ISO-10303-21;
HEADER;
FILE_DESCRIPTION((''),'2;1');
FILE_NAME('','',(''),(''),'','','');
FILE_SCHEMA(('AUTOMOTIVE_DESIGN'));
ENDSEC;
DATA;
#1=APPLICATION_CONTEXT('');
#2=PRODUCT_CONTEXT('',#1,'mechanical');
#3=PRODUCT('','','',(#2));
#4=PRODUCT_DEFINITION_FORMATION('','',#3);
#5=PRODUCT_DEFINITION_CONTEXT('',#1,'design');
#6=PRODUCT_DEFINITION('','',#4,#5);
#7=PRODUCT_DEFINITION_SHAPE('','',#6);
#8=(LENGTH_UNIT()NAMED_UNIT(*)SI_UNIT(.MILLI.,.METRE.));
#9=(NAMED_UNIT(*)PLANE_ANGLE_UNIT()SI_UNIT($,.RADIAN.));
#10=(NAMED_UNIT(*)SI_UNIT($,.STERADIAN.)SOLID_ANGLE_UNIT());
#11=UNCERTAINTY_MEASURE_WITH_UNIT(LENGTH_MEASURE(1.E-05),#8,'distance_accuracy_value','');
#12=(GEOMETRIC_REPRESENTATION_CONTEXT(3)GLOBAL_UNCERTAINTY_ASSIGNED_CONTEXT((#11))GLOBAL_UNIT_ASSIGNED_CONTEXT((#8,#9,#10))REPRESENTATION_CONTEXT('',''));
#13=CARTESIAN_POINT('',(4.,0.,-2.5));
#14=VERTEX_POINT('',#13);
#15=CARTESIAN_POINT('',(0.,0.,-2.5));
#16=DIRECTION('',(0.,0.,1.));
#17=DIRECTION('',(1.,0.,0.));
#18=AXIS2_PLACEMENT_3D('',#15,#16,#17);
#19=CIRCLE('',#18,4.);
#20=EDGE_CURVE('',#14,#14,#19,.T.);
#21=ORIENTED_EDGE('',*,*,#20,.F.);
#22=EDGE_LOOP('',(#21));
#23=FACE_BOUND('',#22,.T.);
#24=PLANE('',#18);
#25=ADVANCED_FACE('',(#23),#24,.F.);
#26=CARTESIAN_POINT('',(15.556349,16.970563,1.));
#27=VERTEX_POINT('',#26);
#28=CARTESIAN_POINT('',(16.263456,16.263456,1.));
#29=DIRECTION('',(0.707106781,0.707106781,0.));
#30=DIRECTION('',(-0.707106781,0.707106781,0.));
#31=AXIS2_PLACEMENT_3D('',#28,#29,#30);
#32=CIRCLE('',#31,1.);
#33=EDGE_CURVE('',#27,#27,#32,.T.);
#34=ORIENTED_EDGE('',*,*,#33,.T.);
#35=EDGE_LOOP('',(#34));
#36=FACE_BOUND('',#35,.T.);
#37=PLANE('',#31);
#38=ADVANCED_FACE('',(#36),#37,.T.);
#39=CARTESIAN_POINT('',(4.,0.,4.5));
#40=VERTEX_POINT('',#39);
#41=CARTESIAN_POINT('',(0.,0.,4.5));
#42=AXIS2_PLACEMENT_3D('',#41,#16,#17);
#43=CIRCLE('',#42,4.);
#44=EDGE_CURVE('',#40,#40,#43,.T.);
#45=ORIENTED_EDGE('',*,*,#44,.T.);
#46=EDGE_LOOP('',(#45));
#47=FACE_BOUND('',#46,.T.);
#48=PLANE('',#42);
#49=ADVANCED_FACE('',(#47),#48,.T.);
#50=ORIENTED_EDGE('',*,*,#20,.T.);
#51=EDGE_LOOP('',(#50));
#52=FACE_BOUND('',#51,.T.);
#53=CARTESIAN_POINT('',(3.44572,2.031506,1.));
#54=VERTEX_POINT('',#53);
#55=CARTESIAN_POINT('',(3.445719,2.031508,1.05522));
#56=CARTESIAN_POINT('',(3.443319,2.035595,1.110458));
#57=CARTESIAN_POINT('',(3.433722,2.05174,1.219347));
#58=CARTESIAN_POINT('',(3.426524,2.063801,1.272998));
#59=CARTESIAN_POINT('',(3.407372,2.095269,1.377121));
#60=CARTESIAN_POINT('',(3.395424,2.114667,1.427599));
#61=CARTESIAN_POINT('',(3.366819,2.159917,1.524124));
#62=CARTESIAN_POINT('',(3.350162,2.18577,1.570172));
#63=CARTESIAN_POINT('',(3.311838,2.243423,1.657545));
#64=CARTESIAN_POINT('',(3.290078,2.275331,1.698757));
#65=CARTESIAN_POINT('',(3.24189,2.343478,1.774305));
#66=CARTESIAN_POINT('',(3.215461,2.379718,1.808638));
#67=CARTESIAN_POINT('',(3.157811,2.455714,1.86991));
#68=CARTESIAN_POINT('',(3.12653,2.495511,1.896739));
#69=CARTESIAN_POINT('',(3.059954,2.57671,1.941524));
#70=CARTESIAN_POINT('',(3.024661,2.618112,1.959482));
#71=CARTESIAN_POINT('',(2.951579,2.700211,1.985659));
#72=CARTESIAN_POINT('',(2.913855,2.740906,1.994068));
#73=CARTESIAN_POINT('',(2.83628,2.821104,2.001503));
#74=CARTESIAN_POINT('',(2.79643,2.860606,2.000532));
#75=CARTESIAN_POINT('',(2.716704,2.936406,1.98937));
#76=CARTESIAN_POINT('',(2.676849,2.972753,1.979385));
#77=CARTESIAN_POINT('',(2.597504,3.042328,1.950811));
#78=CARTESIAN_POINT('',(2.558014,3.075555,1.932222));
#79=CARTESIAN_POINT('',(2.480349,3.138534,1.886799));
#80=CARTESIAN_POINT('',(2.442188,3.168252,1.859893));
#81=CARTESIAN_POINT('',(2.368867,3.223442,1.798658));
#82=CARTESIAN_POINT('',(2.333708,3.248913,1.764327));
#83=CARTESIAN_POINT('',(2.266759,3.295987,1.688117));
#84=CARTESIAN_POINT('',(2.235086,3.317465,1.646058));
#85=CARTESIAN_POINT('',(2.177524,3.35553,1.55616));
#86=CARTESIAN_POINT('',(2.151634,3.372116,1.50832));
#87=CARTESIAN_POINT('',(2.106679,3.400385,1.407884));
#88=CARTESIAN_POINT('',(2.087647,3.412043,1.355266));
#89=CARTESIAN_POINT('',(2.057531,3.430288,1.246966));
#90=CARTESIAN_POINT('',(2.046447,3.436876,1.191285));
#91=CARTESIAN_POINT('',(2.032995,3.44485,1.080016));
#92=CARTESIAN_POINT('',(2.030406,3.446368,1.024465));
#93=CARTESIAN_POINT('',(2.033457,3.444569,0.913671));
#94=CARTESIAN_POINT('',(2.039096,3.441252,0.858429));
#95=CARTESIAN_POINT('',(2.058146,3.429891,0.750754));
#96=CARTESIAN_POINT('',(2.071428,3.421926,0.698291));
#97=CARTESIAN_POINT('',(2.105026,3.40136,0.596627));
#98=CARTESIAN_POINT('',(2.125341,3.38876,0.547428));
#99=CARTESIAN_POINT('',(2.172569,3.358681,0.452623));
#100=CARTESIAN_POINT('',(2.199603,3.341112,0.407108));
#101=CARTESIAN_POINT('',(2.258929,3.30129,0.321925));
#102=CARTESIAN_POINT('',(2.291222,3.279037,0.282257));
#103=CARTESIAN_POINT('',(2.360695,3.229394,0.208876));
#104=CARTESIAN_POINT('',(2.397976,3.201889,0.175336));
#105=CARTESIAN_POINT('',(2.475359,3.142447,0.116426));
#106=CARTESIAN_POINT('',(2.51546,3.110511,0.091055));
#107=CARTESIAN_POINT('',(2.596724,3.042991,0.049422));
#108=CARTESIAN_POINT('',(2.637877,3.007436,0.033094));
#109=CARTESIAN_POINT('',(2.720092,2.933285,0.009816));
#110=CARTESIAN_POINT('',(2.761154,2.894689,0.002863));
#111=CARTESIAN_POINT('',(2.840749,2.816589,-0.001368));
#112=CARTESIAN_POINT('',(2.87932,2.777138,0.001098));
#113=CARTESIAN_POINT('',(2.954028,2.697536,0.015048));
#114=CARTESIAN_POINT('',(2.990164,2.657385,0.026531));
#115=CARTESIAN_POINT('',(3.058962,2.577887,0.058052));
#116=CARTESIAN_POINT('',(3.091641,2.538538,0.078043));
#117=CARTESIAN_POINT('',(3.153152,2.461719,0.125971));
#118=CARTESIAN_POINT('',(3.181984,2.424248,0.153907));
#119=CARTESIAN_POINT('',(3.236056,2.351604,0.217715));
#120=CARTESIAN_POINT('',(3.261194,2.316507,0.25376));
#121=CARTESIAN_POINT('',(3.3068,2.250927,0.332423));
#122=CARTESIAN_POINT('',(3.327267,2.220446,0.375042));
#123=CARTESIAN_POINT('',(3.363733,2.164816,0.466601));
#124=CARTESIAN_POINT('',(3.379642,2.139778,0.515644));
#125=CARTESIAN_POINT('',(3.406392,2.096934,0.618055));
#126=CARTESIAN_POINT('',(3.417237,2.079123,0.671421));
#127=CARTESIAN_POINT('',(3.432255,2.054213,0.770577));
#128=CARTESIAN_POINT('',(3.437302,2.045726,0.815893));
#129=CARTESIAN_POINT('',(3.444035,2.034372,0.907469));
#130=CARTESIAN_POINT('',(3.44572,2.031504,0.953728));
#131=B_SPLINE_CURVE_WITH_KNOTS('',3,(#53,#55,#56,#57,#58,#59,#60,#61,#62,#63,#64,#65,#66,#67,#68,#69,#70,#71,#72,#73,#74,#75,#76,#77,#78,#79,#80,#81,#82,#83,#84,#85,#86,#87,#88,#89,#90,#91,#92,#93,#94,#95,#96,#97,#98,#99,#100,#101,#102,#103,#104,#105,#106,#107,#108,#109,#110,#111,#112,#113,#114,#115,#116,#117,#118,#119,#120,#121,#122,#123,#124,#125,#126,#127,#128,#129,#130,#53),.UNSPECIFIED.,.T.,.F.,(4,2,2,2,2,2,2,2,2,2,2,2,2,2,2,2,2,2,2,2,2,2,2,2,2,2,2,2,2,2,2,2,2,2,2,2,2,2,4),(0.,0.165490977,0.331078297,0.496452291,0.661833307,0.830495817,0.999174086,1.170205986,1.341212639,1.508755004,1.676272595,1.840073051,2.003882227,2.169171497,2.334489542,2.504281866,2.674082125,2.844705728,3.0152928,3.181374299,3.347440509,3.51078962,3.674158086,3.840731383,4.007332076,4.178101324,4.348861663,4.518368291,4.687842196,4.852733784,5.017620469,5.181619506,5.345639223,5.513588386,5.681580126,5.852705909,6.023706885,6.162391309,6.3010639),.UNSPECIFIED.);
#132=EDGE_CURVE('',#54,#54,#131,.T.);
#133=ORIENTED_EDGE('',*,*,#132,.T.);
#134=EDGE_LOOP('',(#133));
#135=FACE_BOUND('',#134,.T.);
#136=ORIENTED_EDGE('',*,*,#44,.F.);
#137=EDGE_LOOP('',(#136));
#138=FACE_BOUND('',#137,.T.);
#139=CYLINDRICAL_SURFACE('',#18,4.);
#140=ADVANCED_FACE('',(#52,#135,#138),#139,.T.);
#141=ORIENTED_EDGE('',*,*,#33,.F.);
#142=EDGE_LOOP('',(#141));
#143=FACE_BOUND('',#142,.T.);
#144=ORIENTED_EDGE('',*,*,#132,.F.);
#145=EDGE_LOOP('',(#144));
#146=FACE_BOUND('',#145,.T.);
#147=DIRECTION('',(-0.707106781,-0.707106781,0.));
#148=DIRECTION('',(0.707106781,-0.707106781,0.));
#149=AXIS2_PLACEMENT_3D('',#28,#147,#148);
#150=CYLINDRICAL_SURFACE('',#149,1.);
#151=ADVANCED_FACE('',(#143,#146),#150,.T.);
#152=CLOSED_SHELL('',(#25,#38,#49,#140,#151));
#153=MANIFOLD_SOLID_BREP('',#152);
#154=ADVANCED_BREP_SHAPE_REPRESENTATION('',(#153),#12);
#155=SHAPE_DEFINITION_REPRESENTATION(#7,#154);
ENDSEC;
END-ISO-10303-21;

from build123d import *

# Parameters (mm, degrees)
SKETCH1_R                       = 4
CYLINDER_ON_WIRE_END_DEPTH      = 4.5
CYLINDER_ON_WIRE_END_DEPTH_BACK = 2.5
SKETCH4_R                       = 1
WIRE_2_DEPTH                    = 25


with BuildPart() as part:
    # Sketch1 → Cylinder on Wire end (new body, two sides)
    with BuildSketch(Plane.XY) as cylinder_on_wire_end_sk:
        Circle(SKETCH1_R)
    extrude(amount=CYLINDER_ON_WIRE_END_DEPTH)
    extrude(cylinder_on_wire_end_sk.sketch, amount=-CYLINDER_ON_WIRE_END_DEPTH_BACK)

    # Sketch4 → Wire 2 (add)
    with BuildSketch(Plane(origin=(-1.414213562, -1.414213562, 0), x_dir=(0.707106781, -0.707106781, 0), z_dir=(0.707106781, 0.707106781, 0))):
        with Locations((0, -1)):
            Circle(SKETCH4_R)
    extrude(amount=WIRE_2_DEPTH)


solid = part.part
